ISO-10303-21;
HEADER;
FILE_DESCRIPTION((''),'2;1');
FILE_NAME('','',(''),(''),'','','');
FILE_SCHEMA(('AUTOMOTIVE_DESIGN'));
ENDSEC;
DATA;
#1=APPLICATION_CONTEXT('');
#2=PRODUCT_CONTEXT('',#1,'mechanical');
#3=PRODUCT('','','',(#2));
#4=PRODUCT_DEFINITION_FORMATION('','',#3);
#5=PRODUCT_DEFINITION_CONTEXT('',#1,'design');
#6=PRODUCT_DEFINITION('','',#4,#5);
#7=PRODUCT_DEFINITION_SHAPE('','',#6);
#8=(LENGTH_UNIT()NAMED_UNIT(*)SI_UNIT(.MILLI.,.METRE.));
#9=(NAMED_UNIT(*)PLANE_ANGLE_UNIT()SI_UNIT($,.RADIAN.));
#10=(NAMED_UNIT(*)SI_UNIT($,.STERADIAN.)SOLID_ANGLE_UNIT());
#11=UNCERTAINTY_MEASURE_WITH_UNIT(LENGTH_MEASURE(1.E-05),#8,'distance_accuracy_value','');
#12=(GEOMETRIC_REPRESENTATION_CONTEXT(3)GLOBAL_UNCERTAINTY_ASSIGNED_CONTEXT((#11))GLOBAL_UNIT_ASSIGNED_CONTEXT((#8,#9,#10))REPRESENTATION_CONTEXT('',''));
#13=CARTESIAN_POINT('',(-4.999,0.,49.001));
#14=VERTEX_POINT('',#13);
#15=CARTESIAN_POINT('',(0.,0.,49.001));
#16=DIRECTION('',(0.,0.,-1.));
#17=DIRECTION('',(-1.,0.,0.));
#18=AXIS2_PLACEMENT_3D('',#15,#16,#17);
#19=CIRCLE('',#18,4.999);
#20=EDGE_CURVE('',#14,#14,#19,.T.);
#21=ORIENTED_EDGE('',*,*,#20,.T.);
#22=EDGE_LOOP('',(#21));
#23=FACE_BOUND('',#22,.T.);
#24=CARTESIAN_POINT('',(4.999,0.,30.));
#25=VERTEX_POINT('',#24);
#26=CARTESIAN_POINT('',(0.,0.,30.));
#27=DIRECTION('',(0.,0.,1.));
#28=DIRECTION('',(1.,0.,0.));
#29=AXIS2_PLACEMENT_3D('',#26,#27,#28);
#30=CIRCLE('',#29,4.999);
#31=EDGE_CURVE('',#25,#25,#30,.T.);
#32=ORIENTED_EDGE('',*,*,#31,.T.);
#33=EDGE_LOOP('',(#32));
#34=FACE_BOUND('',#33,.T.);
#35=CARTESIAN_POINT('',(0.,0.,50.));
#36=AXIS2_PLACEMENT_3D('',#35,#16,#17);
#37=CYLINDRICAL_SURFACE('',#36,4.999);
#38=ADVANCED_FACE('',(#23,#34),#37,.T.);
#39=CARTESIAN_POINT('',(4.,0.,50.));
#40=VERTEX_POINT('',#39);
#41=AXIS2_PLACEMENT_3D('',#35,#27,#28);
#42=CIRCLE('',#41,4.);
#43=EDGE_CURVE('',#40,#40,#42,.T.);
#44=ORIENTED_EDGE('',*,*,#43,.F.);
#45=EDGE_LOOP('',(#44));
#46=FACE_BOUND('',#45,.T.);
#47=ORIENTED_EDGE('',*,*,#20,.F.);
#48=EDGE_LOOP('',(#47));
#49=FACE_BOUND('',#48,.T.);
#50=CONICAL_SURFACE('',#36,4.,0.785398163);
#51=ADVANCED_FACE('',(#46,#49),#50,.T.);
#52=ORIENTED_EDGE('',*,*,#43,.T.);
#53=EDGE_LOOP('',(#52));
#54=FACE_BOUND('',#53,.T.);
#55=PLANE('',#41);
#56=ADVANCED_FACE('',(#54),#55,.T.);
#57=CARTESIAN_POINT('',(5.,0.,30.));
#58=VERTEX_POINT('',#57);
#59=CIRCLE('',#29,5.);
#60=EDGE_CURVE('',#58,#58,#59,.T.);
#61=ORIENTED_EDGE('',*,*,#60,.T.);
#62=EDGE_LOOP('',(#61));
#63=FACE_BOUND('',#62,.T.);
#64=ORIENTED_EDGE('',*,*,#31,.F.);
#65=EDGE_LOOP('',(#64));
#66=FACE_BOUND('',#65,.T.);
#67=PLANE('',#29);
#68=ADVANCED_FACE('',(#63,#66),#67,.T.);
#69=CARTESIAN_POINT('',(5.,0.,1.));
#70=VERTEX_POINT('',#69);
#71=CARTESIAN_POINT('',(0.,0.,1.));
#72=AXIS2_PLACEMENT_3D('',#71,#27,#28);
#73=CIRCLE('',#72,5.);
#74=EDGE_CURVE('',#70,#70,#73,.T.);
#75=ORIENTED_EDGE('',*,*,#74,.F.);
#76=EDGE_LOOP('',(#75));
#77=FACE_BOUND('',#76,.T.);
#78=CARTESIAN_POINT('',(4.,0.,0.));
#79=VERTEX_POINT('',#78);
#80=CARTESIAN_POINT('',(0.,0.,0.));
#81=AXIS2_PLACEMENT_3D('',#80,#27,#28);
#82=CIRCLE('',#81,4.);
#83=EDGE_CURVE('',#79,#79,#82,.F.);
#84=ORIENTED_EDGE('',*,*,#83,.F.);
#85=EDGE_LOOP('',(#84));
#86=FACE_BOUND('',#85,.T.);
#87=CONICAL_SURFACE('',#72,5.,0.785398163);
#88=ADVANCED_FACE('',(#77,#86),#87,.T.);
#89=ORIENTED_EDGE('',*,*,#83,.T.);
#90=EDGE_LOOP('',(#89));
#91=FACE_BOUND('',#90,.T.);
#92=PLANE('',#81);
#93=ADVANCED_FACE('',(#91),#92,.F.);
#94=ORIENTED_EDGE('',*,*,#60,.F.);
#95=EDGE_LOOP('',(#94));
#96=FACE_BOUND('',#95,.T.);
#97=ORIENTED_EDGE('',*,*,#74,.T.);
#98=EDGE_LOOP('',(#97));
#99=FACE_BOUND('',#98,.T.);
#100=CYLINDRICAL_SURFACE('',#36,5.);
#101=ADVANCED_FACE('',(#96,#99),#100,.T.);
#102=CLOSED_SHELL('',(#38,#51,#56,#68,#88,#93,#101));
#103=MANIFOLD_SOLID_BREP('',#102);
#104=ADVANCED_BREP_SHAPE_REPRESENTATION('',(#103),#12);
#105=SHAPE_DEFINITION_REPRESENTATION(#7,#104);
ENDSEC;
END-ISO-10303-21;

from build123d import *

# Parameters (mm, degrees)
SKIZZE1_R                       = 5
AUFSATZ_LINEAR_AUSTRAGEN1_DEPTH = 50
FASE1_SIZE                      = 1
SZKIC1_OUTSIDE_W                = 22.392
SZKIC1_OUTSIDE_H                = 22.392
SZKIC1_OUTSIDE_R                = 4.999
WYTNIJ_WYCI_GNI_CIE1_DEPTH      = 21


with BuildPart() as part:
    # Skizze1 → Aufsatz-Linear austragen1 (new body)
    with BuildSketch(Plane.XY):
        Circle(SKIZZE1_R)
    extrude(amount=AUFSATZ_LINEAR_AUSTRAGEN1_DEPTH)

    # Fase1
    fase1_edges = [part.edges().sort_by_distance(p)[0] for p in [
        (-5, 0, 0),
        (-5, 0, 50),
    ]]
    chamfer(fase1_edges, length=FASE1_SIZE)

    # Szkic1 outside → Wytnij-wyciągnięcie1 (cut, through all)
    with BuildSketch(Plane.XY.offset(30)):
        Rectangle(SZKIC1_OUTSIDE_W, SZKIC1_OUTSIDE_H)
        with Locations(Location((0, 0, 0), (0, 0, 180))):  # turned: the seam where the file's is
            Circle(SZKIC1_OUTSIDE_R, mode=Mode.SUBTRACT)
    extrude(amount=WYTNIJ_WYCI_GNI_CIE1_DEPTH, mode=Mode.SUBTRACT)


solid = part.part
